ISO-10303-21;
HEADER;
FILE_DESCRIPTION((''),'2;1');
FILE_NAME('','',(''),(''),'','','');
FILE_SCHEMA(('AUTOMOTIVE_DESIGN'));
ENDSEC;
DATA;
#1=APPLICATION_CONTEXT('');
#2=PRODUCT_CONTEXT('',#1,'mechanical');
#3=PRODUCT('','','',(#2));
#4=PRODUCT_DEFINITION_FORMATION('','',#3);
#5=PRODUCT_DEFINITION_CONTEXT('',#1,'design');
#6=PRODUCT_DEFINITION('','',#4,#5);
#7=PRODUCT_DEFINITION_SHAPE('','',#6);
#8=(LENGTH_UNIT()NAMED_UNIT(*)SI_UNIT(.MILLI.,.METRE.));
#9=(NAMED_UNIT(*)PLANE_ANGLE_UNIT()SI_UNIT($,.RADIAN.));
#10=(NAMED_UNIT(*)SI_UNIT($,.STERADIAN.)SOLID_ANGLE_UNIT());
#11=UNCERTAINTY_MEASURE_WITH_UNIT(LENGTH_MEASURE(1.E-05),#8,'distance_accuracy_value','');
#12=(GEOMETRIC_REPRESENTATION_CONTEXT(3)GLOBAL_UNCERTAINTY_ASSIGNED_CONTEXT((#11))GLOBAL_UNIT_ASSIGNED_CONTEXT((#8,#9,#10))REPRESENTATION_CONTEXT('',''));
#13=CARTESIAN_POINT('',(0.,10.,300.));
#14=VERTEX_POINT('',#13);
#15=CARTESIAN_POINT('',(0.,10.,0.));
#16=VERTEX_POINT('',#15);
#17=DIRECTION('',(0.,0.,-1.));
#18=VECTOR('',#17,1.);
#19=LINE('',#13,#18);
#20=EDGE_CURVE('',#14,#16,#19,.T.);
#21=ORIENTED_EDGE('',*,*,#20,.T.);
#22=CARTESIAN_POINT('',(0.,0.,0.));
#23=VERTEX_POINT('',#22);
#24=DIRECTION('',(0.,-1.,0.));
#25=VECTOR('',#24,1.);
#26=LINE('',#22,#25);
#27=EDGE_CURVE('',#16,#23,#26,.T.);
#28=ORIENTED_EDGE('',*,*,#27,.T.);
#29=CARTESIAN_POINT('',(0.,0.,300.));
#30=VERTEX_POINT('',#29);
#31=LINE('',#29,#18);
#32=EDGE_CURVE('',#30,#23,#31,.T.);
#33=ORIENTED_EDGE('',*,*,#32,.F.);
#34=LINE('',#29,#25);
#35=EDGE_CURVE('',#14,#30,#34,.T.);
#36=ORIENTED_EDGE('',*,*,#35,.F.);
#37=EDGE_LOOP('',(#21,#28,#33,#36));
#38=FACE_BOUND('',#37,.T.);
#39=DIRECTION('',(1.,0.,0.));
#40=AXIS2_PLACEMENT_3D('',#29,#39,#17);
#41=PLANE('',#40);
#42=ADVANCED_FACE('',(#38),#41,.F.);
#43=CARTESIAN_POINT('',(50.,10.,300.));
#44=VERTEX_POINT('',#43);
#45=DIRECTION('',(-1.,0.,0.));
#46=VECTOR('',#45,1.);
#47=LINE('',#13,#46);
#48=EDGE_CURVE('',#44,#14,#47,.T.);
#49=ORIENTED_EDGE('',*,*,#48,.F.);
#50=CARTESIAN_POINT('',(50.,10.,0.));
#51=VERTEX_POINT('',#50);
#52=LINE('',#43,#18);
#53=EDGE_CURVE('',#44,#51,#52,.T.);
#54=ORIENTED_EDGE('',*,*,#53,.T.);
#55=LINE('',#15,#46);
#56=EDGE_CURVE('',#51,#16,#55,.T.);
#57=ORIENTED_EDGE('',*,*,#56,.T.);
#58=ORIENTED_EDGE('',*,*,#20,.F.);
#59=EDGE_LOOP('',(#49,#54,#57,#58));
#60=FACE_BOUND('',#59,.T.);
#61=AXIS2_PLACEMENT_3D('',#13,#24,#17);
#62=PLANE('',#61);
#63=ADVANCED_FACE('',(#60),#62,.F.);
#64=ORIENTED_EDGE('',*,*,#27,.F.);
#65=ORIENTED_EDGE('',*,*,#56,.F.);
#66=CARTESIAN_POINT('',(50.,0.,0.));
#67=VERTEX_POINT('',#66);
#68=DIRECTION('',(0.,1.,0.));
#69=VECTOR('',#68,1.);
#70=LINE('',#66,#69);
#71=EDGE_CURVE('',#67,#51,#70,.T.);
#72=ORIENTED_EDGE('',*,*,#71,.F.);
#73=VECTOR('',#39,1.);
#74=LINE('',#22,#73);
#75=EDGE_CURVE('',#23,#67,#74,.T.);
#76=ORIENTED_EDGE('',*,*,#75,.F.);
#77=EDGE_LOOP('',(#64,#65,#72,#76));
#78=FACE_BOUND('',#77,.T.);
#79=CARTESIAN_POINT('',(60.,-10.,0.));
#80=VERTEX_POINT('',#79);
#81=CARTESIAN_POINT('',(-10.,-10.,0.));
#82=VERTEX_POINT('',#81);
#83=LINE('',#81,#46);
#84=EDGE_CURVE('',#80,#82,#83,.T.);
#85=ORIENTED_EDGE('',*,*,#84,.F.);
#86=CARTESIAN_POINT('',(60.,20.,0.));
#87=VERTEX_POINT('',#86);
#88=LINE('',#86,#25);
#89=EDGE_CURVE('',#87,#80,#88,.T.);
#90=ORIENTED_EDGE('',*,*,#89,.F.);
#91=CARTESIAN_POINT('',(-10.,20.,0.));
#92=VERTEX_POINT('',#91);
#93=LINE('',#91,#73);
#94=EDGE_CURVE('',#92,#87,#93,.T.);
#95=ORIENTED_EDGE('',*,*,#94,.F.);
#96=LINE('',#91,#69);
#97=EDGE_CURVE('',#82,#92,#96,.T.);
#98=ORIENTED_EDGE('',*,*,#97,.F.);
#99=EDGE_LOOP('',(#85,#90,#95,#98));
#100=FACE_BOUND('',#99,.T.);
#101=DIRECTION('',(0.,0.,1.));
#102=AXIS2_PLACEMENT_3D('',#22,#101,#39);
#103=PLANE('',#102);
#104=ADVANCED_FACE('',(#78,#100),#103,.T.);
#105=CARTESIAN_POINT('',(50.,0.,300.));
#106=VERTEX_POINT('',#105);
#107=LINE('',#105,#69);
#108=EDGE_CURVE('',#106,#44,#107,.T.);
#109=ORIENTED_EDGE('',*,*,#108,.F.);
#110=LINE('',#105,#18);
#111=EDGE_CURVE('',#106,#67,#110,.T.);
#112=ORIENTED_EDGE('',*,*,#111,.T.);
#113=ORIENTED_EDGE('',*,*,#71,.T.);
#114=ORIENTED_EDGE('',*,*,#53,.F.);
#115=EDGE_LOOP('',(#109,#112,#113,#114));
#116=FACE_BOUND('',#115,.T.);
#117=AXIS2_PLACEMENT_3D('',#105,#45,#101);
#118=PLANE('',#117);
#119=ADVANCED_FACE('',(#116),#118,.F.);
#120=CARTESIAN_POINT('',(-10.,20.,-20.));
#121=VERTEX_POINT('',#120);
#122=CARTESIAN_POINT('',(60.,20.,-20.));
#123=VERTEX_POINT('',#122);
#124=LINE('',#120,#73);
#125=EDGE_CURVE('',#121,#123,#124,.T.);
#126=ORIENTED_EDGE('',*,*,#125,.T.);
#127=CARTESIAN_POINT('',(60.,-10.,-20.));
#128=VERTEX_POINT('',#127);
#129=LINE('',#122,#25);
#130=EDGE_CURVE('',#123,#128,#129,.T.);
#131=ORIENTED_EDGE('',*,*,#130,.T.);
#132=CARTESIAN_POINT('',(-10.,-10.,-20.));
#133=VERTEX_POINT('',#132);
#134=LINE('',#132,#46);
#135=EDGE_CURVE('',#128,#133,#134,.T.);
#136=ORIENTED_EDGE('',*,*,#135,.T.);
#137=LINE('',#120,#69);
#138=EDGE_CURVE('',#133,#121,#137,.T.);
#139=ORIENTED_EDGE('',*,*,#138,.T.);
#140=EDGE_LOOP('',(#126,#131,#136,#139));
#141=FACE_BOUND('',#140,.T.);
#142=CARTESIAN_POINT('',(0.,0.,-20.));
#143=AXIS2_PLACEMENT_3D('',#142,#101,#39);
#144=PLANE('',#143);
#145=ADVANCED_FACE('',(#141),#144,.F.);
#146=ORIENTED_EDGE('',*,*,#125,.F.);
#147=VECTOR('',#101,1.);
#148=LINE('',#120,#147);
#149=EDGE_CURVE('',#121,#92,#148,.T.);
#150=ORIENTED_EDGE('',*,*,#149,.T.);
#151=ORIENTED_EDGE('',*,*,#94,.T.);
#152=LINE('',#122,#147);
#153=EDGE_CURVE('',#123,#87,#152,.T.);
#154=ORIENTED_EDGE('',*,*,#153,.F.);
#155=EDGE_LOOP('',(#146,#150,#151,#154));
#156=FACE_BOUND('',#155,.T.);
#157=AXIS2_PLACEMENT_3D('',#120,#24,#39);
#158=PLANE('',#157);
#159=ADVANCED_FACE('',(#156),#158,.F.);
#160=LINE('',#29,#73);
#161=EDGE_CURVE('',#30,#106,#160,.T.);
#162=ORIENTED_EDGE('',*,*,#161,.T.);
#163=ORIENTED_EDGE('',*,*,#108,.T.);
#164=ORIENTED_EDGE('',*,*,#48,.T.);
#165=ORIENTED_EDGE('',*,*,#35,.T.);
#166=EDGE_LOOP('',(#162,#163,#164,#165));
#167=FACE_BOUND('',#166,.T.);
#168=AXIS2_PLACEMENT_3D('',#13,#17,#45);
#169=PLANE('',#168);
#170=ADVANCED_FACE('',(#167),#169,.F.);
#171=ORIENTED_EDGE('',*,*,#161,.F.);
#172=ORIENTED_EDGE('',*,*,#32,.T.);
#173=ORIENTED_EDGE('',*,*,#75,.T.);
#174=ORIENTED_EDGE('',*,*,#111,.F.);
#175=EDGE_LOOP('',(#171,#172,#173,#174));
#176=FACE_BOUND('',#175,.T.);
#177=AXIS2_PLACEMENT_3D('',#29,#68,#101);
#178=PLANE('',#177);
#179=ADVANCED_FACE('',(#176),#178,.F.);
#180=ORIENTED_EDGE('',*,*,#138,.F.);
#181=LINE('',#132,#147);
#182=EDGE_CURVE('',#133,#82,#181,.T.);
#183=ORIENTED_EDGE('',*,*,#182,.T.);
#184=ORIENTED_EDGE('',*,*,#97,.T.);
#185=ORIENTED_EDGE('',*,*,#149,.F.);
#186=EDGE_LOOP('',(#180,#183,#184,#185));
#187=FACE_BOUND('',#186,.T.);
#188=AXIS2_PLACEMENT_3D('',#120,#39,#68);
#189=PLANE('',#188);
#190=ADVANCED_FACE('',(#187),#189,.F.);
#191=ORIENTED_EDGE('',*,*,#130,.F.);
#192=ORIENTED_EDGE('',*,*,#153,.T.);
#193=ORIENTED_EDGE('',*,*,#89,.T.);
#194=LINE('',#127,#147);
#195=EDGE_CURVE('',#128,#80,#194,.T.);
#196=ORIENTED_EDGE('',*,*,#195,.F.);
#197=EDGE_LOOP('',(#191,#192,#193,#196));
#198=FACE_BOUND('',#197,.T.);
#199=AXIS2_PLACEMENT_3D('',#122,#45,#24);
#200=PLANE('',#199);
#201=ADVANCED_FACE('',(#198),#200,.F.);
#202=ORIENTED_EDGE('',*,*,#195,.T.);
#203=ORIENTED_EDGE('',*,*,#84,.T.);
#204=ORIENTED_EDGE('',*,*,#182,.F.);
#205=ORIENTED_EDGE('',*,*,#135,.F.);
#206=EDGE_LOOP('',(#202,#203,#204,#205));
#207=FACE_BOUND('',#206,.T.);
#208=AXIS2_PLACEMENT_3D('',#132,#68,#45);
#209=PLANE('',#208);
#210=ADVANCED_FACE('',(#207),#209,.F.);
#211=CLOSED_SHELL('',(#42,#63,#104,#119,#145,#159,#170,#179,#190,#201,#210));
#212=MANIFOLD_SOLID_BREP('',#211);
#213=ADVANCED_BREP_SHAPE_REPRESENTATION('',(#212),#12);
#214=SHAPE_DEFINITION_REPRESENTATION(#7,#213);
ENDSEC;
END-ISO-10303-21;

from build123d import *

# Parameters (mm, degrees)
SKETCH1_W           = 50
SKETCH1_H           = 10
BOSS_EXTRUDE1_DEPTH = 300
SKETCH2_W           = 70
SKETCH2_H           = 30
BOSS_EXTRUDE2_DEPTH = 20


with BuildPart() as part:
    # Sketch1 → Boss-Extrude1 (new body)
    with BuildSketch(Plane.XY):
        with Locations((25, 5)):
            Rectangle(SKETCH1_W, SKETCH1_H)
    extrude(amount=BOSS_EXTRUDE1_DEPTH)

    # Sketch2 → Boss-Extrude2 (add)
    with BuildSketch(Plane(origin=(0, 0, 0), x_dir=(-1, 0, 0), z_dir=(0, 0, -1))):
        with Locations((-25, 5)):
            Rectangle(SKETCH2_W, SKETCH2_H)
    extrude(amount=BOSS_EXTRUDE2_DEPTH)


solid = part.part
